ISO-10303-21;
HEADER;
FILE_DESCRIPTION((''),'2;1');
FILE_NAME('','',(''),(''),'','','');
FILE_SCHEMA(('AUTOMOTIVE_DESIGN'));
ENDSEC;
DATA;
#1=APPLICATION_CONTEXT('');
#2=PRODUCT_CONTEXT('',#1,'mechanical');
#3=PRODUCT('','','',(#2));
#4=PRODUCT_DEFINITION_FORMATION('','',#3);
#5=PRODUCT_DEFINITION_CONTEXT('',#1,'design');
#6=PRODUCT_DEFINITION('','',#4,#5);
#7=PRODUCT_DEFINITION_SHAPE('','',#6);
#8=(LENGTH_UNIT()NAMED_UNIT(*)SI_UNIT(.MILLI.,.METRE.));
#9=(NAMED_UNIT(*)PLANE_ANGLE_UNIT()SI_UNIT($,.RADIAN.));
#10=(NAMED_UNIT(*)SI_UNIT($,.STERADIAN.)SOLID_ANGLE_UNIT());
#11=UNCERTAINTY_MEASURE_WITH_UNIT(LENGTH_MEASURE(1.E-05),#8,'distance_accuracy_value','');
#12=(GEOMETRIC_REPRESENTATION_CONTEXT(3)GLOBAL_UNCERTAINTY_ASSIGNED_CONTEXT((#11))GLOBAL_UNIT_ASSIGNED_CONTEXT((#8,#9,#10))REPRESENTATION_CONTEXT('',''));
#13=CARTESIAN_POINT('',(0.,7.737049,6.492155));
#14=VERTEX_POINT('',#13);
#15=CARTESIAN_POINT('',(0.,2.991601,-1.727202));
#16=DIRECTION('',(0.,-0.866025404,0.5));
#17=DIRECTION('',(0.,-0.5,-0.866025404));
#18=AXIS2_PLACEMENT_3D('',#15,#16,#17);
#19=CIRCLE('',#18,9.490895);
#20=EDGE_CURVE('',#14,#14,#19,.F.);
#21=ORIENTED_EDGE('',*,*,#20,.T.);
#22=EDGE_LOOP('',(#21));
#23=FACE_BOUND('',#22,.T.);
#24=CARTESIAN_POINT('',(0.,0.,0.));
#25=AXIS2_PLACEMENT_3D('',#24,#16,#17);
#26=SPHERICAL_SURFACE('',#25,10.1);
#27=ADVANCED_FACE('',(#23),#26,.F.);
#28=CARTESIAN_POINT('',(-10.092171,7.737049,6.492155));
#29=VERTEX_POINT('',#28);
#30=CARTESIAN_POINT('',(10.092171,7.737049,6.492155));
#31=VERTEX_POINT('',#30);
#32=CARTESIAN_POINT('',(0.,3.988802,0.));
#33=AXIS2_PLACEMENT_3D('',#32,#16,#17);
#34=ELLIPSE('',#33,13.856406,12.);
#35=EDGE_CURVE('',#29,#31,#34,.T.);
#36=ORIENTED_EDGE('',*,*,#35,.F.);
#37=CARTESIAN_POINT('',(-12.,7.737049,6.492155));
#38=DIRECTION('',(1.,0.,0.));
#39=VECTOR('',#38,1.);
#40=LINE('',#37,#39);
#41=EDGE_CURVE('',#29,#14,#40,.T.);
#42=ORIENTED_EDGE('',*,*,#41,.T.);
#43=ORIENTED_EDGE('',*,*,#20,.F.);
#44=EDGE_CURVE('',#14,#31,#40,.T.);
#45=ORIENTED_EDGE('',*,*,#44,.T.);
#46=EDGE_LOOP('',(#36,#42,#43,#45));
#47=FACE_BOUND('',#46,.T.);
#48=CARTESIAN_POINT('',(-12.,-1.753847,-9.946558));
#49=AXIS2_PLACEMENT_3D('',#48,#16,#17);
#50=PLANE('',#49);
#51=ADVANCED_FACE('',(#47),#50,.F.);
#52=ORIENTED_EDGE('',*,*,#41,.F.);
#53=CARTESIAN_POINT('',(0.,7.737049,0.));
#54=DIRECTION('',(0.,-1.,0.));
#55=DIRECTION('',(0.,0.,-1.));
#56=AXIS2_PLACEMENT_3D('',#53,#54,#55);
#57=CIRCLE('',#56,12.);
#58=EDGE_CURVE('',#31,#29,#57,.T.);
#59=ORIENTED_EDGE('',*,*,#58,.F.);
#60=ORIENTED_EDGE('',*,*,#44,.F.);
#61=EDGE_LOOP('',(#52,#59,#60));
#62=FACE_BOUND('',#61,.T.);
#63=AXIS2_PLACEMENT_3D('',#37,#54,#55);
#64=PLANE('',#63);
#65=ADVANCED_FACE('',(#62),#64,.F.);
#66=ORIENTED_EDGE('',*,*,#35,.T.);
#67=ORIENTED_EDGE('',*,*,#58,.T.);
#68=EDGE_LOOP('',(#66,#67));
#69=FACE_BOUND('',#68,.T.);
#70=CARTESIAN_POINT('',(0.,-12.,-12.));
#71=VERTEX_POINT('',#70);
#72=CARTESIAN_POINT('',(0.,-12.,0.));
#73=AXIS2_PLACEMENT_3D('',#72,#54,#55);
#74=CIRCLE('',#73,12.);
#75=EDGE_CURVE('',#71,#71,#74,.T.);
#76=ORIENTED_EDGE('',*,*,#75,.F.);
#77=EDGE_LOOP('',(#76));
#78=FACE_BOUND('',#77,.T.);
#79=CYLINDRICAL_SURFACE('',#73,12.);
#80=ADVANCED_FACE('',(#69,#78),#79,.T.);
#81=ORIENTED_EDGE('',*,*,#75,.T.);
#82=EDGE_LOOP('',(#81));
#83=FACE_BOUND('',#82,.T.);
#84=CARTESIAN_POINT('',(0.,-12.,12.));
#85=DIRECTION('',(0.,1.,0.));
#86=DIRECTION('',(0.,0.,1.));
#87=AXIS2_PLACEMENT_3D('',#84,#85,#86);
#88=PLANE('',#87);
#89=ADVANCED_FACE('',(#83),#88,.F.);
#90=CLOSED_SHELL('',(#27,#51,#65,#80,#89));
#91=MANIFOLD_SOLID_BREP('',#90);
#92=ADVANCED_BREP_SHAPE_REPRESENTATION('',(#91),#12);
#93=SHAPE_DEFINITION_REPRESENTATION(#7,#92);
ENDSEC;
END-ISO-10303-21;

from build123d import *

# Parameters (mm, degrees)
CUT_EXTRUDE1_DEPTH      = 13
CUT_EXTRUDE1_DEPTH_BACK = 13


with BuildPart() as part:
    # Sketch1 → Revolve1 (revolve)
    with BuildSketch(Plane(origin=(0, 0, 0), x_dir=(0, 0, -1), z_dir=(1, 0, 0))):
        with BuildLine():
            Line((-5.05, 8.746856578), (-12, 8.746856578))
            Line((-12, 8.746856578), (-12, -12))
            Line((-12, -12), (0, -12))
            Line((0, -12), (0, -10.1))
            ThreePointArc((0, -10.1), (-9.755850846, -2.614072356), (-5.05, 8.746856578))
        make_face()
    revolve(axis=Axis((0, -12, 0), (0, 1, 0)))

    # Sketch2 → Cut-Extrude1 (cut, two sides)
    with BuildSketch(Plane(origin=(0, 0, 0), x_dir=(0, 0, -1), z_dir=(1, 0, 0))) as cut_extrude1_sk:
        Polygon((-6.492154858, 7.737048876), (9.946558305, -1.753846594), (12, -2.93940171), (12, 8.746856578), (-12, 8.746856578), (-12, 7.737048876), align=None)
    extrude(amount=CUT_EXTRUDE1_DEPTH, mode=Mode.SUBTRACT)
    extrude(cut_extrude1_sk.sketch, amount=-CUT_EXTRUDE1_DEPTH_BACK, mode=Mode.SUBTRACT)


solid = part.part
